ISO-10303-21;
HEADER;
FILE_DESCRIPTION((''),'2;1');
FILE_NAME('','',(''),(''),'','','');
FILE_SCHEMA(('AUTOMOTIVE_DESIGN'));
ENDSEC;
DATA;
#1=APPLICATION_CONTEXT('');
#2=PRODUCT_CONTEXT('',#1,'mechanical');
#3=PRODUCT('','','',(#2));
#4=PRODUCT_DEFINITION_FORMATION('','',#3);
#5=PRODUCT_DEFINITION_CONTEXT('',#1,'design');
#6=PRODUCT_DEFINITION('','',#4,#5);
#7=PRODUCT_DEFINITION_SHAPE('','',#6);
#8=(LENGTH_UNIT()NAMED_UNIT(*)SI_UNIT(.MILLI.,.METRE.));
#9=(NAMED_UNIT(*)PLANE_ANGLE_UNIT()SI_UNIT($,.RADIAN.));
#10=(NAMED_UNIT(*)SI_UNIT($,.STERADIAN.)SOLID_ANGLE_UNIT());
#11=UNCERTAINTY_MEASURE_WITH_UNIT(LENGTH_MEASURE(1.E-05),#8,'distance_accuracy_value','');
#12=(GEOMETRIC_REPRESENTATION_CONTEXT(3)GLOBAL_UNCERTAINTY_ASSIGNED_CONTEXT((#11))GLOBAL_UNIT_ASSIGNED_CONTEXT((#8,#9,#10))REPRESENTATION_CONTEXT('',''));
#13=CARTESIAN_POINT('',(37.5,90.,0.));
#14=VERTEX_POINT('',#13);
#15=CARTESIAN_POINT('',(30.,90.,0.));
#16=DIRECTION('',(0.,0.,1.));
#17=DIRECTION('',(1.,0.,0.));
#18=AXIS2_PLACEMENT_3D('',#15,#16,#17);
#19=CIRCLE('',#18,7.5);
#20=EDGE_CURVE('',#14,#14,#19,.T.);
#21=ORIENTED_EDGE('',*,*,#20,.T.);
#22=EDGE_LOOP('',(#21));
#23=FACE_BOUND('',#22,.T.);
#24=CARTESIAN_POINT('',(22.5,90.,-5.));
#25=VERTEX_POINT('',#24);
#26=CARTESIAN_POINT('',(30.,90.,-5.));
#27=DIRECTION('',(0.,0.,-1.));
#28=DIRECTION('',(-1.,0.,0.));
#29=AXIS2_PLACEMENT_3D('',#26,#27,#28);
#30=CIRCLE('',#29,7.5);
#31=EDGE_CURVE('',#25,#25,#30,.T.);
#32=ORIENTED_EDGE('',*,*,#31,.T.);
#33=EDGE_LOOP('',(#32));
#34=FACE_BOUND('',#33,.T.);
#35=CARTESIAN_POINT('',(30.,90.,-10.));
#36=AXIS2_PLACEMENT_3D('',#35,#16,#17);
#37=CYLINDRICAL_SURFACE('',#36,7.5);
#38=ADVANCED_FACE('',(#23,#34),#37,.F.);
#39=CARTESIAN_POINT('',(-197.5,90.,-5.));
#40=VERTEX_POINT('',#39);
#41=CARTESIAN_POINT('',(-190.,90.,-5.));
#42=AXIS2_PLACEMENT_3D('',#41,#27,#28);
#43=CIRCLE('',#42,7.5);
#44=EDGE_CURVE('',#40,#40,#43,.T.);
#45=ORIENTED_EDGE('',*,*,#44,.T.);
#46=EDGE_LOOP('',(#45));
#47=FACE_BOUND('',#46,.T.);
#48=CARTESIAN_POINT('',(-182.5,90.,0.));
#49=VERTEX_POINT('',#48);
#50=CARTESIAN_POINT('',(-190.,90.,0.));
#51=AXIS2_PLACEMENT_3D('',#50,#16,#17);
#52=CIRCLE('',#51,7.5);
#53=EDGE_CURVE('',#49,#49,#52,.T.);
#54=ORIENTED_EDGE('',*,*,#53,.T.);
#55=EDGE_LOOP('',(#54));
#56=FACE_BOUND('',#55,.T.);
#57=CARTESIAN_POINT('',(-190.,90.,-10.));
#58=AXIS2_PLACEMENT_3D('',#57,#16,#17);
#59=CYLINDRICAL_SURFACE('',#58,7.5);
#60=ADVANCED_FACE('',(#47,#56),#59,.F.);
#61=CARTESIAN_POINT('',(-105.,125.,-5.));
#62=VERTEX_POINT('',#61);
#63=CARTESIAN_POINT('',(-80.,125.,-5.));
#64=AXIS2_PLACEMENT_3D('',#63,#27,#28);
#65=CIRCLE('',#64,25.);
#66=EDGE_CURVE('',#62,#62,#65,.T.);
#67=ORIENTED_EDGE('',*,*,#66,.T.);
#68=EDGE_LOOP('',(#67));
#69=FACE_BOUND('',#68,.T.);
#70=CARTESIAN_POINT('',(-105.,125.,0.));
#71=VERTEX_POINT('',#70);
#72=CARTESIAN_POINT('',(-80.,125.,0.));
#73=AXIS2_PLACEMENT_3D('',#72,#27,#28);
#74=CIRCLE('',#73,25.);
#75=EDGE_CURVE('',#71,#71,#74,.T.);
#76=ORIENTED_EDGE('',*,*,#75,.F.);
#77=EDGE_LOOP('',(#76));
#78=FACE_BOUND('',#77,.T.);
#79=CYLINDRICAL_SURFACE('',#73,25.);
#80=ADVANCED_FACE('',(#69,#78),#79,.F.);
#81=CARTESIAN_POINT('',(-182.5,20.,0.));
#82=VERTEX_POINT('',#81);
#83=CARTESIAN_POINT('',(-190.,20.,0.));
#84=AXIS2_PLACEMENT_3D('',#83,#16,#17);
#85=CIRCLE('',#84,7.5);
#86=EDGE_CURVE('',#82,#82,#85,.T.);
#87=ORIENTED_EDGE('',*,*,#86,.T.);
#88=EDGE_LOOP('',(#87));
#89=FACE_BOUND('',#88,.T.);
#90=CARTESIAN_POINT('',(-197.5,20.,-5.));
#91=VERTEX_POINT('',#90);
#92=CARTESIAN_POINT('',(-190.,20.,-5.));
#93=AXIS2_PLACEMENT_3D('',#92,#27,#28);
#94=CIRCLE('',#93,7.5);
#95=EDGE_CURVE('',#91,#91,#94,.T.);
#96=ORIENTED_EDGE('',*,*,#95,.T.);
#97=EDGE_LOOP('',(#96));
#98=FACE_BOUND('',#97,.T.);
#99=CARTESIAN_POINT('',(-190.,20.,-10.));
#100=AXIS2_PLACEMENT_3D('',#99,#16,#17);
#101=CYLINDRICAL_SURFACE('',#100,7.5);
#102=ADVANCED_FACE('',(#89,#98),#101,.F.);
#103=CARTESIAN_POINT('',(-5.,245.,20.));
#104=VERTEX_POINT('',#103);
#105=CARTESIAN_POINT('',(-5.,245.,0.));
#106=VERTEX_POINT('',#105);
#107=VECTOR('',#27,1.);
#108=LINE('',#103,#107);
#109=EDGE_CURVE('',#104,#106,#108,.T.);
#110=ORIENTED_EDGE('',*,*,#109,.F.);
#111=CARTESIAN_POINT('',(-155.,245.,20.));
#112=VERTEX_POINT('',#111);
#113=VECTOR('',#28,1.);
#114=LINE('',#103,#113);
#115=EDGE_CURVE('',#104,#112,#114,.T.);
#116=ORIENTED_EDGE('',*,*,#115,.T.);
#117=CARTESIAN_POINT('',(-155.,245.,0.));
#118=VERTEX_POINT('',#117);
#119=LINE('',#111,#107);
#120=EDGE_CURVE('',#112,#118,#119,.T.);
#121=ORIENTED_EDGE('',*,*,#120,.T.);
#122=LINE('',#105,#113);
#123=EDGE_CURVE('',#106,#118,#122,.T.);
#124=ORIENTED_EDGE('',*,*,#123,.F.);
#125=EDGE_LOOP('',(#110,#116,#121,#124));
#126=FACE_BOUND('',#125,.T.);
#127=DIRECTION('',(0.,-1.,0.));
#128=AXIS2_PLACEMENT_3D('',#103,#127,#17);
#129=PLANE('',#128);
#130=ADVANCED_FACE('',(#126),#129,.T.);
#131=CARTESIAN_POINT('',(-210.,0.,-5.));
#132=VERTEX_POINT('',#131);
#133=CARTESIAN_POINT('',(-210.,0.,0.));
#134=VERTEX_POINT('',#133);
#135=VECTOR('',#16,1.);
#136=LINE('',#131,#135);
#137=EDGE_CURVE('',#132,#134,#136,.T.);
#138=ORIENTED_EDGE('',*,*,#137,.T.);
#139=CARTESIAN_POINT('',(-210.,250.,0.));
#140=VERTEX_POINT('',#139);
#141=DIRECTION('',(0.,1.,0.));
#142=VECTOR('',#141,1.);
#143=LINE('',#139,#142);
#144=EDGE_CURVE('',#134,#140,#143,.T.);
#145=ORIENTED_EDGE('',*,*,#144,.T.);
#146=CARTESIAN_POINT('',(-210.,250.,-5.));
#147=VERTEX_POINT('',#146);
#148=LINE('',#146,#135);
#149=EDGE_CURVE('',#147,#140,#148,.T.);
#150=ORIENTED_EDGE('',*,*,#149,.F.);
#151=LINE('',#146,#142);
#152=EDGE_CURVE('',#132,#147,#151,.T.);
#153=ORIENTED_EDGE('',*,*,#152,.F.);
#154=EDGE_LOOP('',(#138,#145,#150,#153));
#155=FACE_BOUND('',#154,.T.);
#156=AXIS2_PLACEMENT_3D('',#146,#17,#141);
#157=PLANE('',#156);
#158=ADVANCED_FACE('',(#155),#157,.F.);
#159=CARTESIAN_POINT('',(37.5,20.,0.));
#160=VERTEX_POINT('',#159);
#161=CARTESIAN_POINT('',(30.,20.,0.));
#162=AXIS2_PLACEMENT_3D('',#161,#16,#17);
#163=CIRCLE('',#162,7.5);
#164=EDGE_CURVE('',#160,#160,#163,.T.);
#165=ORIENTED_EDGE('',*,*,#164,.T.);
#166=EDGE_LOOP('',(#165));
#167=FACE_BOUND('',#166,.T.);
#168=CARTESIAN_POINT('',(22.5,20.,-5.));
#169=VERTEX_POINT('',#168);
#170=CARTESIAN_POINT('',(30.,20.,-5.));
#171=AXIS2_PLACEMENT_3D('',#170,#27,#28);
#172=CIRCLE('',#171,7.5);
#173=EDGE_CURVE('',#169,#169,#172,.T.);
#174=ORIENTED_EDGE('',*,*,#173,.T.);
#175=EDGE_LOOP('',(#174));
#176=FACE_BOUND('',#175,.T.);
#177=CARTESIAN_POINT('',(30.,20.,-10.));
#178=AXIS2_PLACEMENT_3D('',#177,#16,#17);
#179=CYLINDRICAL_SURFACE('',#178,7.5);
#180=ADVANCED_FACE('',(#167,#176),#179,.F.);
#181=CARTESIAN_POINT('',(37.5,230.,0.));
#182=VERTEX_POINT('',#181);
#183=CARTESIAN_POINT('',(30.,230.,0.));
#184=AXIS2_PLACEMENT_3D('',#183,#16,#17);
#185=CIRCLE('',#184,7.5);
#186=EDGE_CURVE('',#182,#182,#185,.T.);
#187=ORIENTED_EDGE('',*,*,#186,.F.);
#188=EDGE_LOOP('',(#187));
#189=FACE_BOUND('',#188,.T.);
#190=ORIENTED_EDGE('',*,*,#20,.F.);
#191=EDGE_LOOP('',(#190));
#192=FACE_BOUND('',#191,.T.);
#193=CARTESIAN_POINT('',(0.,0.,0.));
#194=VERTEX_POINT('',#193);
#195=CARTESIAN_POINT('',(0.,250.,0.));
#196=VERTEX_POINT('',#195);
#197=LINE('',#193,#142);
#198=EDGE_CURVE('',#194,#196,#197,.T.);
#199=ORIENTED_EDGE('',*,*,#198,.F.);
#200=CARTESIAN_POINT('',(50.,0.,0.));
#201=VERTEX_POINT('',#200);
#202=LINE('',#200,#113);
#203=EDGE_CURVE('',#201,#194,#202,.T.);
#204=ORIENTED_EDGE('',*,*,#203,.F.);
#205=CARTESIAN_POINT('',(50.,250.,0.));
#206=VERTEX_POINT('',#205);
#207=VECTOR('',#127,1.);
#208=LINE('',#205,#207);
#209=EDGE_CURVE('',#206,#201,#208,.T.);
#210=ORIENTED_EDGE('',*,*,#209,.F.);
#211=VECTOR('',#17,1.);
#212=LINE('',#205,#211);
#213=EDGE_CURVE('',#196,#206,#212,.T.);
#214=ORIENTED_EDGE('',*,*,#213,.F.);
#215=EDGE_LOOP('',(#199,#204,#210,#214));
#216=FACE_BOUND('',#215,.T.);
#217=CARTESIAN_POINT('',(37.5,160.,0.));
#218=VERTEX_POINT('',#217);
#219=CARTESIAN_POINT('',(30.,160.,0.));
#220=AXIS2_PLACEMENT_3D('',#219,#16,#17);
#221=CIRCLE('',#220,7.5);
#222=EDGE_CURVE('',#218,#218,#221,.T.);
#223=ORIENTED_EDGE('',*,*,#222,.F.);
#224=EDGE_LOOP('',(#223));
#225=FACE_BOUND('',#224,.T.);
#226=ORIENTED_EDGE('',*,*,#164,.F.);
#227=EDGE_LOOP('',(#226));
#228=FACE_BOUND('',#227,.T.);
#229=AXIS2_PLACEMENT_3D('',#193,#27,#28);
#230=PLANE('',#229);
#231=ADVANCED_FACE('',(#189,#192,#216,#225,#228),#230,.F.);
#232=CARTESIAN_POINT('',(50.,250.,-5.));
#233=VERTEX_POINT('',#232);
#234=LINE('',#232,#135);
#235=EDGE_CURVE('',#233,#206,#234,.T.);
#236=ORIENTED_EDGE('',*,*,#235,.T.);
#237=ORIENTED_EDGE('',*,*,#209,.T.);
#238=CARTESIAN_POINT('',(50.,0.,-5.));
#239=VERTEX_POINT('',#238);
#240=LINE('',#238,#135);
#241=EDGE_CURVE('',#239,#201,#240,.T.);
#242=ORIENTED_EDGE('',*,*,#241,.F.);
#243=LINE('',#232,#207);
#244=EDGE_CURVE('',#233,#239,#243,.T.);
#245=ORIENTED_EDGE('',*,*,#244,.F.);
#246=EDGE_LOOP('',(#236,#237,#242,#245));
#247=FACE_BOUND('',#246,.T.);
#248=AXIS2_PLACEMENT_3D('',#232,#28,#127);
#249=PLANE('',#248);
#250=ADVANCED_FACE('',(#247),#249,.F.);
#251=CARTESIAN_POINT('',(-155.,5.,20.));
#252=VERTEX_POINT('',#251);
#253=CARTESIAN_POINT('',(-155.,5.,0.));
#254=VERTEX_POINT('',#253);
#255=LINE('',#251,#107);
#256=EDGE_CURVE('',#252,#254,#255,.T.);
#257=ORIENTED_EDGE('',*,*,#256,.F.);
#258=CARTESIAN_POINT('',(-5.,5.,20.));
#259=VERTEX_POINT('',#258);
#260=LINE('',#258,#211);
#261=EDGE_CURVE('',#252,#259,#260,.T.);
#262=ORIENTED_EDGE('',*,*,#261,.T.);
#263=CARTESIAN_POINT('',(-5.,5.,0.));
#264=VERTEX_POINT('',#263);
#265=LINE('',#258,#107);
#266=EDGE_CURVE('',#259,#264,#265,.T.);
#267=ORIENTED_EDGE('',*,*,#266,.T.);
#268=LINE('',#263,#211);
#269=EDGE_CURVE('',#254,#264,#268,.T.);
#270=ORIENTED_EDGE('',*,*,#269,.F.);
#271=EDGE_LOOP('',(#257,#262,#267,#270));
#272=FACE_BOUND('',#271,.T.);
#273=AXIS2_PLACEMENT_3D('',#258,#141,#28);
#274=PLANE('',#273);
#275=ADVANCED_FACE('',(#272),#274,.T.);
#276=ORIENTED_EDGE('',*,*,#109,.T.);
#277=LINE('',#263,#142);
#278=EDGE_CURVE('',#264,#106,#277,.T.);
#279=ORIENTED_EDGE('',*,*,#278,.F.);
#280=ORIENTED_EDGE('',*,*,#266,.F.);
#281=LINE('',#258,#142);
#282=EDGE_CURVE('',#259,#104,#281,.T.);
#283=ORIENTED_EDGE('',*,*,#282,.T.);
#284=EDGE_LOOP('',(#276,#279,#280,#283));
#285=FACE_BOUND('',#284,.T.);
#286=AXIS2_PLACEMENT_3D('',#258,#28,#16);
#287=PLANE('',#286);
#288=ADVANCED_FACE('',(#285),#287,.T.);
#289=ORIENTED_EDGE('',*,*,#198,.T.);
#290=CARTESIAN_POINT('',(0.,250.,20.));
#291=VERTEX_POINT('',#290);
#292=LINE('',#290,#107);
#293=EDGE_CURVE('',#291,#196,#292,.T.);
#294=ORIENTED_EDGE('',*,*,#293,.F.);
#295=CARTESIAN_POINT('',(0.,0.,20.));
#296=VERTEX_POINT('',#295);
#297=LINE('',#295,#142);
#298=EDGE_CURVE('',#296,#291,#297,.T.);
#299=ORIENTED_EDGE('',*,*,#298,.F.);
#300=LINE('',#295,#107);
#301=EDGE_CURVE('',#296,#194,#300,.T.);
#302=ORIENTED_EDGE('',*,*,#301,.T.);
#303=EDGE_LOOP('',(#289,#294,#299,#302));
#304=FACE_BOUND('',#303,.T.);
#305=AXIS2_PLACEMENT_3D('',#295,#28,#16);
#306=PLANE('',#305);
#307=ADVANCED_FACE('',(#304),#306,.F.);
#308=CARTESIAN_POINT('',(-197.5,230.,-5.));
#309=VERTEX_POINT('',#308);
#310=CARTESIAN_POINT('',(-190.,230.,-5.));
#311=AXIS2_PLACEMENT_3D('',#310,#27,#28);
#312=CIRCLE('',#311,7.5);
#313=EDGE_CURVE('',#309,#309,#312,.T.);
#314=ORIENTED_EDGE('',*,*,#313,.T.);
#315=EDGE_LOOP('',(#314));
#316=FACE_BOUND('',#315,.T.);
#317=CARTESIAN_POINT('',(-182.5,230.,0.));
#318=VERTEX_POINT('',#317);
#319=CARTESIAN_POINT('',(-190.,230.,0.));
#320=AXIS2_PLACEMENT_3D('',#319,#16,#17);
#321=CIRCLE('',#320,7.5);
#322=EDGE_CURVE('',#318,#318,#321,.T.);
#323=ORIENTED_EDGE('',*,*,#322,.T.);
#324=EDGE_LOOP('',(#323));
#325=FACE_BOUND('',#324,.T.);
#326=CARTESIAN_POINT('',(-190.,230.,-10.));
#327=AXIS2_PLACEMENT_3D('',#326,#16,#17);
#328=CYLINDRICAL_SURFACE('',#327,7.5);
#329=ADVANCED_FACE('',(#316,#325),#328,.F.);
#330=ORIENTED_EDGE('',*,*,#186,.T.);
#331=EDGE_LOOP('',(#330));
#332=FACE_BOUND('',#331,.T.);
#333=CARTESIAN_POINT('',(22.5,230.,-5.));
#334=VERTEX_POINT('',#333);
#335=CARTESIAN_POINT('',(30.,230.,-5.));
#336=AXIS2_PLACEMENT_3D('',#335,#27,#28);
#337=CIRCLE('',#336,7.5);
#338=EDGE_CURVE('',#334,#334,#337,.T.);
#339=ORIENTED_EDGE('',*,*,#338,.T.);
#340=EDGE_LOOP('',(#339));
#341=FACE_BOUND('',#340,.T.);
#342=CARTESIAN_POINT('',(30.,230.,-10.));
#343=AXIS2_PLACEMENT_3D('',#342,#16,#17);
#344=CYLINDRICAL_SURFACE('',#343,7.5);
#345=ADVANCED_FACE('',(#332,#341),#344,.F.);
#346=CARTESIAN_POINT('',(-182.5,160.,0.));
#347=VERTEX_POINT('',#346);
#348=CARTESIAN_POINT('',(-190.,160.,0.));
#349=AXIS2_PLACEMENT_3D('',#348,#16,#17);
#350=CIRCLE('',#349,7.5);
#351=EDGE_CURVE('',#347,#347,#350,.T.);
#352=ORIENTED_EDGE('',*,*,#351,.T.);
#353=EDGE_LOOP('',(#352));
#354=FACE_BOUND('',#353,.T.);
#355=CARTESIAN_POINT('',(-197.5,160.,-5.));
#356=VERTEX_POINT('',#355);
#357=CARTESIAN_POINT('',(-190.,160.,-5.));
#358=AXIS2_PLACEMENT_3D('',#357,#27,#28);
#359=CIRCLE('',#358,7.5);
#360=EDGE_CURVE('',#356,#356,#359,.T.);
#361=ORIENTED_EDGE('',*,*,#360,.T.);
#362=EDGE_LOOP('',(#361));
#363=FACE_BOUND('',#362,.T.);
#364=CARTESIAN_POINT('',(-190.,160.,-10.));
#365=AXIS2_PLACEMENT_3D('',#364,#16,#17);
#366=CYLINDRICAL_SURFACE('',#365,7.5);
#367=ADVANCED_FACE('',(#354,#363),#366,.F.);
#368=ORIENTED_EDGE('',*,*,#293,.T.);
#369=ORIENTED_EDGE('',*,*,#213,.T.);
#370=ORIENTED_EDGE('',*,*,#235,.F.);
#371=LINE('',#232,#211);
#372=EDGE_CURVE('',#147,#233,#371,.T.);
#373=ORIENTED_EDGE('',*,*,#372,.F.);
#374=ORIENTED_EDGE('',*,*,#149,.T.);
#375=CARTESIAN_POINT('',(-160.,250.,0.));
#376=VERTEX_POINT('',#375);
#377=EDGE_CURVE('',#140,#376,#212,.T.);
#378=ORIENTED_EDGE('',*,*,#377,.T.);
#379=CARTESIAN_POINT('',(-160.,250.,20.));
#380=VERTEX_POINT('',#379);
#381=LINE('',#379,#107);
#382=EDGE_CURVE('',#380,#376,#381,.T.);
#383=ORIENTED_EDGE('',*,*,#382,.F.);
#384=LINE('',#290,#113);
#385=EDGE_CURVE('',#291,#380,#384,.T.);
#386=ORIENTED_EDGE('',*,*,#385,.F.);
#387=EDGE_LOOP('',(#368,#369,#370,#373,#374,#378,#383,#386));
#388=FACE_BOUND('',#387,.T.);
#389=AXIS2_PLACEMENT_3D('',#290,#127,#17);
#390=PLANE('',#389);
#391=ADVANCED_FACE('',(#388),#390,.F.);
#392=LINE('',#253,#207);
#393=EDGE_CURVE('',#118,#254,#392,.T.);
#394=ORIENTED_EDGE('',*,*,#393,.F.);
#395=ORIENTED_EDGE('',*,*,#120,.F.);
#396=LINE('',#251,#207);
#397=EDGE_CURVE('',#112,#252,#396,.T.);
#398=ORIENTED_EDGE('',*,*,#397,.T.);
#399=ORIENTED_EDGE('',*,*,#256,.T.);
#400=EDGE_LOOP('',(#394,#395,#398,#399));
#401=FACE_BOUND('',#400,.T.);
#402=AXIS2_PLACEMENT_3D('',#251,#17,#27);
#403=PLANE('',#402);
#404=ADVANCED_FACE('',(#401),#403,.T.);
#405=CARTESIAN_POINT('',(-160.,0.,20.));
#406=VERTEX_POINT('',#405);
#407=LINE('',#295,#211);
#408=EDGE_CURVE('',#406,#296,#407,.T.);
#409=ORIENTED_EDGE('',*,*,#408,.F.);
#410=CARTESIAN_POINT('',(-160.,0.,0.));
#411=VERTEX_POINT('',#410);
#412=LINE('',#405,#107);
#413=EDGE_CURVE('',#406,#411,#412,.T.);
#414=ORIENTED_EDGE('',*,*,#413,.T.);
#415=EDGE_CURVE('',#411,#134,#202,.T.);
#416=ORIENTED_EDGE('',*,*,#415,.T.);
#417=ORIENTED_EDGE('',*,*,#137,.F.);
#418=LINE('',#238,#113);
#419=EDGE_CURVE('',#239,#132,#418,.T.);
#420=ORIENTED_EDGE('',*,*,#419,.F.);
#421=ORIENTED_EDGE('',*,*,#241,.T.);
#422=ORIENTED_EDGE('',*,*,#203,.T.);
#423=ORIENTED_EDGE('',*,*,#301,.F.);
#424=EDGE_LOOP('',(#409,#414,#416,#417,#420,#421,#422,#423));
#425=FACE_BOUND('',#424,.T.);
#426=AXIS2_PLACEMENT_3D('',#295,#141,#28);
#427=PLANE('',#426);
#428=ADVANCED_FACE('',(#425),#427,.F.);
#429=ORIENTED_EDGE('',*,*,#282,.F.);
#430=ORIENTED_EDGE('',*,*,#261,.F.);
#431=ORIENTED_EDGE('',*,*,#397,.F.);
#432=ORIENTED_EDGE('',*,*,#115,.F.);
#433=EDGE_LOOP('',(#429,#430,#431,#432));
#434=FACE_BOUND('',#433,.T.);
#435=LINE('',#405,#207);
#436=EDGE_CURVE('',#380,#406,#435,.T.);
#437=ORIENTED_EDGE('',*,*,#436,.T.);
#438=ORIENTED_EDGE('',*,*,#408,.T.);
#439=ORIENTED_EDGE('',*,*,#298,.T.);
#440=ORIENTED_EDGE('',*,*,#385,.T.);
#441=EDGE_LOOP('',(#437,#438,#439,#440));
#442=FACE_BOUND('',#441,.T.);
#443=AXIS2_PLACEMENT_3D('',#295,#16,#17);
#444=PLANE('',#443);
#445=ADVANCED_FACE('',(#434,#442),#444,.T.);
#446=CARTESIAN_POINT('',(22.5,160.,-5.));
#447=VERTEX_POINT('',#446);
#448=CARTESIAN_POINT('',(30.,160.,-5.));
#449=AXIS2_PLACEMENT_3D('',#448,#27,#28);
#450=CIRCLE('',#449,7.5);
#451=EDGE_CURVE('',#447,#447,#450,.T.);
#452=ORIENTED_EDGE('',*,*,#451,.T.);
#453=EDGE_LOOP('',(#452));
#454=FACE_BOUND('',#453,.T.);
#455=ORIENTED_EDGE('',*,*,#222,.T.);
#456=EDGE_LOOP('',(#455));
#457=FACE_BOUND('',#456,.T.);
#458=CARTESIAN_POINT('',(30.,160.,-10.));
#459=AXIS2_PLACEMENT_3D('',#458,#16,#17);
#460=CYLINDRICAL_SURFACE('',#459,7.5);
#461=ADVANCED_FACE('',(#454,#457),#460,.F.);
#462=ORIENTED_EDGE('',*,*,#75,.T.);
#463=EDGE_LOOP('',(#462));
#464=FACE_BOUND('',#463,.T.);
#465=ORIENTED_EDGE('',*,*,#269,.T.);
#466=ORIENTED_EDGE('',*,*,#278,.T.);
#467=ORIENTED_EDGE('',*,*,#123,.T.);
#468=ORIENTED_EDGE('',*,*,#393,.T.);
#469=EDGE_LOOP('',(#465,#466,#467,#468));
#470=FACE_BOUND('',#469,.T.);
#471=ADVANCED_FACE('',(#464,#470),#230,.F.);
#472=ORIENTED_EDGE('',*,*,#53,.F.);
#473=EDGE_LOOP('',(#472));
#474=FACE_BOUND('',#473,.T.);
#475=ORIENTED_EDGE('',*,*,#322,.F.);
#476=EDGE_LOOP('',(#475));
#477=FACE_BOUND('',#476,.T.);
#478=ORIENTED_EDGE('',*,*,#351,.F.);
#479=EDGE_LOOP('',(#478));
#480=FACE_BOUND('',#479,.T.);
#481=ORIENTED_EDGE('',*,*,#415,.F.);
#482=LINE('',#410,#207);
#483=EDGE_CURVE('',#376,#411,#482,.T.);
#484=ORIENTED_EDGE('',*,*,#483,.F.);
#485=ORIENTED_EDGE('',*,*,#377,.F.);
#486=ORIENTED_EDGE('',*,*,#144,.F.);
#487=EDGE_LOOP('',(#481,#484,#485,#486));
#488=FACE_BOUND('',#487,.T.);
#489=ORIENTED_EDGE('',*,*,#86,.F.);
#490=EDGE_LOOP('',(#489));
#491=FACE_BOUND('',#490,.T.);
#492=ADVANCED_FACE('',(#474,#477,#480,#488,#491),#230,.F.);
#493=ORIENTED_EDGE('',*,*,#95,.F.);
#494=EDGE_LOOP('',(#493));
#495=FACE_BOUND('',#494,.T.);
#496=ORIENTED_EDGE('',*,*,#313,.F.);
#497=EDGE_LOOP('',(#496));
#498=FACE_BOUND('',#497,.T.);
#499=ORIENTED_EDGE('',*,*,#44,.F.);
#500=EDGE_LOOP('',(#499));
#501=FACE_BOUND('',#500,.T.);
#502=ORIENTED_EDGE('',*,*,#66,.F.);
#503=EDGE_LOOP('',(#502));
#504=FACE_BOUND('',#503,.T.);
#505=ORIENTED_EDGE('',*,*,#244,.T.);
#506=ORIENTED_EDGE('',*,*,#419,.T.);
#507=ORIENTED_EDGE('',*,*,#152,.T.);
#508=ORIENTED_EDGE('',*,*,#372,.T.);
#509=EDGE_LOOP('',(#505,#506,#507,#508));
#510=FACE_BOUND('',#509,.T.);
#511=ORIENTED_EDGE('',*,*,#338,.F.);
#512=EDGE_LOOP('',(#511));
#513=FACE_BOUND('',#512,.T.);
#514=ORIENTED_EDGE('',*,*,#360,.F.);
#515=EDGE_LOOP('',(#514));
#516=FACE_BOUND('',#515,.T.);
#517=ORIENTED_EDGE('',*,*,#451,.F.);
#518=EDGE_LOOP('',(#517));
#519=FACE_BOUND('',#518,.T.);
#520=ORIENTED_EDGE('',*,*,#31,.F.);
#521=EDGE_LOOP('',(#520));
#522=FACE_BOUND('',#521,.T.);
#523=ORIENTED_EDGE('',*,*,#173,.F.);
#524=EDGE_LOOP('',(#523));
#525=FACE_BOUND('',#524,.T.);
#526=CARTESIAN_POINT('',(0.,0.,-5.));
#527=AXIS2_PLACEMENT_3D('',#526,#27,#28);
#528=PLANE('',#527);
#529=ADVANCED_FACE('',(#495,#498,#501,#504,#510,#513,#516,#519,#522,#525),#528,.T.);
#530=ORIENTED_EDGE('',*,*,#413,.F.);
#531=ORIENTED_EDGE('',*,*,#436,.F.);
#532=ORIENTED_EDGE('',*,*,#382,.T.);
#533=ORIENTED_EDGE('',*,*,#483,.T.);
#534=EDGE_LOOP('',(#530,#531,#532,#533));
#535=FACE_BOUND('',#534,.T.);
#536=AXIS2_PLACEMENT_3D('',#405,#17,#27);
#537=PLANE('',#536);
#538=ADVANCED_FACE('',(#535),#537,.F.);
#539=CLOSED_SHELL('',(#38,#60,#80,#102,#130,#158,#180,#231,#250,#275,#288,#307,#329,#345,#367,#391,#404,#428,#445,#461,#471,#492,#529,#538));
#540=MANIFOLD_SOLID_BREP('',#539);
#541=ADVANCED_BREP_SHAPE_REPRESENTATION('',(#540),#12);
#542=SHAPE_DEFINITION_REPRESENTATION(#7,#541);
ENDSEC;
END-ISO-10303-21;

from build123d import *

# Parameters (mm, degrees)
ESQUISSE1_W             = 160
ESQUISSE1_H             = 250
ESQUISSE1_W_2           = 150
ESQUISSE1_H_2           = 240
BOSS_EXTRU_1_DEPTH      = 20
ESQUISSE2_W             = 260
ESQUISSE2_H             = 250
BOSS_EXTRU_2_DEPTH      = 5
ESQUISSE3_R             = 25
ENL_V_MAT_EXTRU_1_DEPTH = 5
ESQUISSE4_R             = 7.5
ENL_V_MAT_EXTRU_2_DEPTH = 10


with BuildPart() as part:
    # Esquisse1 → Boss.-Extru.1 (new body)
    with BuildSketch(Plane.XY):
        with Locations((-80, 125)):
            Rectangle(ESQUISSE1_W, ESQUISSE1_H)
        with Locations((-80, 125)):
            Rectangle(ESQUISSE1_W_2, ESQUISSE1_H_2, mode=Mode.SUBTRACT)
    extrude(amount=BOSS_EXTRU_1_DEPTH)

    # Esquisse2 → Boss.-Extru.2 (add)
    with BuildSketch(Plane(origin=(0, 0, 0), x_dir=(-1, 0, 0), z_dir=(0, 0, -1))):
        with Locations((80, 125)):
            Rectangle(ESQUISSE2_W, ESQUISSE2_H)
    extrude(amount=BOSS_EXTRU_2_DEPTH)

    # Esquisse3 → Enlèv. mat.-Extru.1 (cut)
    with BuildSketch(Plane(origin=(0, 0, -5), x_dir=(-1, 0, 0), z_dir=(0, 0, -1))):
        with Locations((80, 125)):
            Circle(ESQUISSE3_R)
    extrude(amount=-ENL_V_MAT_EXTRU_1_DEPTH, mode=Mode.SUBTRACT)

    # Esquisse4 → Enlèv. mat.-Extru.2 (cut)
    with BuildSketch(Plane.XY):
        with Locations((30, 230)):
            Circle(ESQUISSE4_R)
        with Locations((-190, 230)):
            Circle(ESQUISSE4_R)
        with Locations((-190, 160)):
            Circle(ESQUISSE4_R)
        with Locations((30, 160)):
            Circle(ESQUISSE4_R)
        with Locations((-190, 90)):
            Circle(ESQUISSE4_R)
        with Locations((30, 90)):
            Circle(ESQUISSE4_R)
        with Locations((-190, 20)):
            Circle(ESQUISSE4_R)
        with Locations((30, 20)):
            Circle(ESQUISSE4_R)
    extrude(amount=-ENL_V_MAT_EXTRU_2_DEPTH, mode=Mode.SUBTRACT)


solid = part.part
